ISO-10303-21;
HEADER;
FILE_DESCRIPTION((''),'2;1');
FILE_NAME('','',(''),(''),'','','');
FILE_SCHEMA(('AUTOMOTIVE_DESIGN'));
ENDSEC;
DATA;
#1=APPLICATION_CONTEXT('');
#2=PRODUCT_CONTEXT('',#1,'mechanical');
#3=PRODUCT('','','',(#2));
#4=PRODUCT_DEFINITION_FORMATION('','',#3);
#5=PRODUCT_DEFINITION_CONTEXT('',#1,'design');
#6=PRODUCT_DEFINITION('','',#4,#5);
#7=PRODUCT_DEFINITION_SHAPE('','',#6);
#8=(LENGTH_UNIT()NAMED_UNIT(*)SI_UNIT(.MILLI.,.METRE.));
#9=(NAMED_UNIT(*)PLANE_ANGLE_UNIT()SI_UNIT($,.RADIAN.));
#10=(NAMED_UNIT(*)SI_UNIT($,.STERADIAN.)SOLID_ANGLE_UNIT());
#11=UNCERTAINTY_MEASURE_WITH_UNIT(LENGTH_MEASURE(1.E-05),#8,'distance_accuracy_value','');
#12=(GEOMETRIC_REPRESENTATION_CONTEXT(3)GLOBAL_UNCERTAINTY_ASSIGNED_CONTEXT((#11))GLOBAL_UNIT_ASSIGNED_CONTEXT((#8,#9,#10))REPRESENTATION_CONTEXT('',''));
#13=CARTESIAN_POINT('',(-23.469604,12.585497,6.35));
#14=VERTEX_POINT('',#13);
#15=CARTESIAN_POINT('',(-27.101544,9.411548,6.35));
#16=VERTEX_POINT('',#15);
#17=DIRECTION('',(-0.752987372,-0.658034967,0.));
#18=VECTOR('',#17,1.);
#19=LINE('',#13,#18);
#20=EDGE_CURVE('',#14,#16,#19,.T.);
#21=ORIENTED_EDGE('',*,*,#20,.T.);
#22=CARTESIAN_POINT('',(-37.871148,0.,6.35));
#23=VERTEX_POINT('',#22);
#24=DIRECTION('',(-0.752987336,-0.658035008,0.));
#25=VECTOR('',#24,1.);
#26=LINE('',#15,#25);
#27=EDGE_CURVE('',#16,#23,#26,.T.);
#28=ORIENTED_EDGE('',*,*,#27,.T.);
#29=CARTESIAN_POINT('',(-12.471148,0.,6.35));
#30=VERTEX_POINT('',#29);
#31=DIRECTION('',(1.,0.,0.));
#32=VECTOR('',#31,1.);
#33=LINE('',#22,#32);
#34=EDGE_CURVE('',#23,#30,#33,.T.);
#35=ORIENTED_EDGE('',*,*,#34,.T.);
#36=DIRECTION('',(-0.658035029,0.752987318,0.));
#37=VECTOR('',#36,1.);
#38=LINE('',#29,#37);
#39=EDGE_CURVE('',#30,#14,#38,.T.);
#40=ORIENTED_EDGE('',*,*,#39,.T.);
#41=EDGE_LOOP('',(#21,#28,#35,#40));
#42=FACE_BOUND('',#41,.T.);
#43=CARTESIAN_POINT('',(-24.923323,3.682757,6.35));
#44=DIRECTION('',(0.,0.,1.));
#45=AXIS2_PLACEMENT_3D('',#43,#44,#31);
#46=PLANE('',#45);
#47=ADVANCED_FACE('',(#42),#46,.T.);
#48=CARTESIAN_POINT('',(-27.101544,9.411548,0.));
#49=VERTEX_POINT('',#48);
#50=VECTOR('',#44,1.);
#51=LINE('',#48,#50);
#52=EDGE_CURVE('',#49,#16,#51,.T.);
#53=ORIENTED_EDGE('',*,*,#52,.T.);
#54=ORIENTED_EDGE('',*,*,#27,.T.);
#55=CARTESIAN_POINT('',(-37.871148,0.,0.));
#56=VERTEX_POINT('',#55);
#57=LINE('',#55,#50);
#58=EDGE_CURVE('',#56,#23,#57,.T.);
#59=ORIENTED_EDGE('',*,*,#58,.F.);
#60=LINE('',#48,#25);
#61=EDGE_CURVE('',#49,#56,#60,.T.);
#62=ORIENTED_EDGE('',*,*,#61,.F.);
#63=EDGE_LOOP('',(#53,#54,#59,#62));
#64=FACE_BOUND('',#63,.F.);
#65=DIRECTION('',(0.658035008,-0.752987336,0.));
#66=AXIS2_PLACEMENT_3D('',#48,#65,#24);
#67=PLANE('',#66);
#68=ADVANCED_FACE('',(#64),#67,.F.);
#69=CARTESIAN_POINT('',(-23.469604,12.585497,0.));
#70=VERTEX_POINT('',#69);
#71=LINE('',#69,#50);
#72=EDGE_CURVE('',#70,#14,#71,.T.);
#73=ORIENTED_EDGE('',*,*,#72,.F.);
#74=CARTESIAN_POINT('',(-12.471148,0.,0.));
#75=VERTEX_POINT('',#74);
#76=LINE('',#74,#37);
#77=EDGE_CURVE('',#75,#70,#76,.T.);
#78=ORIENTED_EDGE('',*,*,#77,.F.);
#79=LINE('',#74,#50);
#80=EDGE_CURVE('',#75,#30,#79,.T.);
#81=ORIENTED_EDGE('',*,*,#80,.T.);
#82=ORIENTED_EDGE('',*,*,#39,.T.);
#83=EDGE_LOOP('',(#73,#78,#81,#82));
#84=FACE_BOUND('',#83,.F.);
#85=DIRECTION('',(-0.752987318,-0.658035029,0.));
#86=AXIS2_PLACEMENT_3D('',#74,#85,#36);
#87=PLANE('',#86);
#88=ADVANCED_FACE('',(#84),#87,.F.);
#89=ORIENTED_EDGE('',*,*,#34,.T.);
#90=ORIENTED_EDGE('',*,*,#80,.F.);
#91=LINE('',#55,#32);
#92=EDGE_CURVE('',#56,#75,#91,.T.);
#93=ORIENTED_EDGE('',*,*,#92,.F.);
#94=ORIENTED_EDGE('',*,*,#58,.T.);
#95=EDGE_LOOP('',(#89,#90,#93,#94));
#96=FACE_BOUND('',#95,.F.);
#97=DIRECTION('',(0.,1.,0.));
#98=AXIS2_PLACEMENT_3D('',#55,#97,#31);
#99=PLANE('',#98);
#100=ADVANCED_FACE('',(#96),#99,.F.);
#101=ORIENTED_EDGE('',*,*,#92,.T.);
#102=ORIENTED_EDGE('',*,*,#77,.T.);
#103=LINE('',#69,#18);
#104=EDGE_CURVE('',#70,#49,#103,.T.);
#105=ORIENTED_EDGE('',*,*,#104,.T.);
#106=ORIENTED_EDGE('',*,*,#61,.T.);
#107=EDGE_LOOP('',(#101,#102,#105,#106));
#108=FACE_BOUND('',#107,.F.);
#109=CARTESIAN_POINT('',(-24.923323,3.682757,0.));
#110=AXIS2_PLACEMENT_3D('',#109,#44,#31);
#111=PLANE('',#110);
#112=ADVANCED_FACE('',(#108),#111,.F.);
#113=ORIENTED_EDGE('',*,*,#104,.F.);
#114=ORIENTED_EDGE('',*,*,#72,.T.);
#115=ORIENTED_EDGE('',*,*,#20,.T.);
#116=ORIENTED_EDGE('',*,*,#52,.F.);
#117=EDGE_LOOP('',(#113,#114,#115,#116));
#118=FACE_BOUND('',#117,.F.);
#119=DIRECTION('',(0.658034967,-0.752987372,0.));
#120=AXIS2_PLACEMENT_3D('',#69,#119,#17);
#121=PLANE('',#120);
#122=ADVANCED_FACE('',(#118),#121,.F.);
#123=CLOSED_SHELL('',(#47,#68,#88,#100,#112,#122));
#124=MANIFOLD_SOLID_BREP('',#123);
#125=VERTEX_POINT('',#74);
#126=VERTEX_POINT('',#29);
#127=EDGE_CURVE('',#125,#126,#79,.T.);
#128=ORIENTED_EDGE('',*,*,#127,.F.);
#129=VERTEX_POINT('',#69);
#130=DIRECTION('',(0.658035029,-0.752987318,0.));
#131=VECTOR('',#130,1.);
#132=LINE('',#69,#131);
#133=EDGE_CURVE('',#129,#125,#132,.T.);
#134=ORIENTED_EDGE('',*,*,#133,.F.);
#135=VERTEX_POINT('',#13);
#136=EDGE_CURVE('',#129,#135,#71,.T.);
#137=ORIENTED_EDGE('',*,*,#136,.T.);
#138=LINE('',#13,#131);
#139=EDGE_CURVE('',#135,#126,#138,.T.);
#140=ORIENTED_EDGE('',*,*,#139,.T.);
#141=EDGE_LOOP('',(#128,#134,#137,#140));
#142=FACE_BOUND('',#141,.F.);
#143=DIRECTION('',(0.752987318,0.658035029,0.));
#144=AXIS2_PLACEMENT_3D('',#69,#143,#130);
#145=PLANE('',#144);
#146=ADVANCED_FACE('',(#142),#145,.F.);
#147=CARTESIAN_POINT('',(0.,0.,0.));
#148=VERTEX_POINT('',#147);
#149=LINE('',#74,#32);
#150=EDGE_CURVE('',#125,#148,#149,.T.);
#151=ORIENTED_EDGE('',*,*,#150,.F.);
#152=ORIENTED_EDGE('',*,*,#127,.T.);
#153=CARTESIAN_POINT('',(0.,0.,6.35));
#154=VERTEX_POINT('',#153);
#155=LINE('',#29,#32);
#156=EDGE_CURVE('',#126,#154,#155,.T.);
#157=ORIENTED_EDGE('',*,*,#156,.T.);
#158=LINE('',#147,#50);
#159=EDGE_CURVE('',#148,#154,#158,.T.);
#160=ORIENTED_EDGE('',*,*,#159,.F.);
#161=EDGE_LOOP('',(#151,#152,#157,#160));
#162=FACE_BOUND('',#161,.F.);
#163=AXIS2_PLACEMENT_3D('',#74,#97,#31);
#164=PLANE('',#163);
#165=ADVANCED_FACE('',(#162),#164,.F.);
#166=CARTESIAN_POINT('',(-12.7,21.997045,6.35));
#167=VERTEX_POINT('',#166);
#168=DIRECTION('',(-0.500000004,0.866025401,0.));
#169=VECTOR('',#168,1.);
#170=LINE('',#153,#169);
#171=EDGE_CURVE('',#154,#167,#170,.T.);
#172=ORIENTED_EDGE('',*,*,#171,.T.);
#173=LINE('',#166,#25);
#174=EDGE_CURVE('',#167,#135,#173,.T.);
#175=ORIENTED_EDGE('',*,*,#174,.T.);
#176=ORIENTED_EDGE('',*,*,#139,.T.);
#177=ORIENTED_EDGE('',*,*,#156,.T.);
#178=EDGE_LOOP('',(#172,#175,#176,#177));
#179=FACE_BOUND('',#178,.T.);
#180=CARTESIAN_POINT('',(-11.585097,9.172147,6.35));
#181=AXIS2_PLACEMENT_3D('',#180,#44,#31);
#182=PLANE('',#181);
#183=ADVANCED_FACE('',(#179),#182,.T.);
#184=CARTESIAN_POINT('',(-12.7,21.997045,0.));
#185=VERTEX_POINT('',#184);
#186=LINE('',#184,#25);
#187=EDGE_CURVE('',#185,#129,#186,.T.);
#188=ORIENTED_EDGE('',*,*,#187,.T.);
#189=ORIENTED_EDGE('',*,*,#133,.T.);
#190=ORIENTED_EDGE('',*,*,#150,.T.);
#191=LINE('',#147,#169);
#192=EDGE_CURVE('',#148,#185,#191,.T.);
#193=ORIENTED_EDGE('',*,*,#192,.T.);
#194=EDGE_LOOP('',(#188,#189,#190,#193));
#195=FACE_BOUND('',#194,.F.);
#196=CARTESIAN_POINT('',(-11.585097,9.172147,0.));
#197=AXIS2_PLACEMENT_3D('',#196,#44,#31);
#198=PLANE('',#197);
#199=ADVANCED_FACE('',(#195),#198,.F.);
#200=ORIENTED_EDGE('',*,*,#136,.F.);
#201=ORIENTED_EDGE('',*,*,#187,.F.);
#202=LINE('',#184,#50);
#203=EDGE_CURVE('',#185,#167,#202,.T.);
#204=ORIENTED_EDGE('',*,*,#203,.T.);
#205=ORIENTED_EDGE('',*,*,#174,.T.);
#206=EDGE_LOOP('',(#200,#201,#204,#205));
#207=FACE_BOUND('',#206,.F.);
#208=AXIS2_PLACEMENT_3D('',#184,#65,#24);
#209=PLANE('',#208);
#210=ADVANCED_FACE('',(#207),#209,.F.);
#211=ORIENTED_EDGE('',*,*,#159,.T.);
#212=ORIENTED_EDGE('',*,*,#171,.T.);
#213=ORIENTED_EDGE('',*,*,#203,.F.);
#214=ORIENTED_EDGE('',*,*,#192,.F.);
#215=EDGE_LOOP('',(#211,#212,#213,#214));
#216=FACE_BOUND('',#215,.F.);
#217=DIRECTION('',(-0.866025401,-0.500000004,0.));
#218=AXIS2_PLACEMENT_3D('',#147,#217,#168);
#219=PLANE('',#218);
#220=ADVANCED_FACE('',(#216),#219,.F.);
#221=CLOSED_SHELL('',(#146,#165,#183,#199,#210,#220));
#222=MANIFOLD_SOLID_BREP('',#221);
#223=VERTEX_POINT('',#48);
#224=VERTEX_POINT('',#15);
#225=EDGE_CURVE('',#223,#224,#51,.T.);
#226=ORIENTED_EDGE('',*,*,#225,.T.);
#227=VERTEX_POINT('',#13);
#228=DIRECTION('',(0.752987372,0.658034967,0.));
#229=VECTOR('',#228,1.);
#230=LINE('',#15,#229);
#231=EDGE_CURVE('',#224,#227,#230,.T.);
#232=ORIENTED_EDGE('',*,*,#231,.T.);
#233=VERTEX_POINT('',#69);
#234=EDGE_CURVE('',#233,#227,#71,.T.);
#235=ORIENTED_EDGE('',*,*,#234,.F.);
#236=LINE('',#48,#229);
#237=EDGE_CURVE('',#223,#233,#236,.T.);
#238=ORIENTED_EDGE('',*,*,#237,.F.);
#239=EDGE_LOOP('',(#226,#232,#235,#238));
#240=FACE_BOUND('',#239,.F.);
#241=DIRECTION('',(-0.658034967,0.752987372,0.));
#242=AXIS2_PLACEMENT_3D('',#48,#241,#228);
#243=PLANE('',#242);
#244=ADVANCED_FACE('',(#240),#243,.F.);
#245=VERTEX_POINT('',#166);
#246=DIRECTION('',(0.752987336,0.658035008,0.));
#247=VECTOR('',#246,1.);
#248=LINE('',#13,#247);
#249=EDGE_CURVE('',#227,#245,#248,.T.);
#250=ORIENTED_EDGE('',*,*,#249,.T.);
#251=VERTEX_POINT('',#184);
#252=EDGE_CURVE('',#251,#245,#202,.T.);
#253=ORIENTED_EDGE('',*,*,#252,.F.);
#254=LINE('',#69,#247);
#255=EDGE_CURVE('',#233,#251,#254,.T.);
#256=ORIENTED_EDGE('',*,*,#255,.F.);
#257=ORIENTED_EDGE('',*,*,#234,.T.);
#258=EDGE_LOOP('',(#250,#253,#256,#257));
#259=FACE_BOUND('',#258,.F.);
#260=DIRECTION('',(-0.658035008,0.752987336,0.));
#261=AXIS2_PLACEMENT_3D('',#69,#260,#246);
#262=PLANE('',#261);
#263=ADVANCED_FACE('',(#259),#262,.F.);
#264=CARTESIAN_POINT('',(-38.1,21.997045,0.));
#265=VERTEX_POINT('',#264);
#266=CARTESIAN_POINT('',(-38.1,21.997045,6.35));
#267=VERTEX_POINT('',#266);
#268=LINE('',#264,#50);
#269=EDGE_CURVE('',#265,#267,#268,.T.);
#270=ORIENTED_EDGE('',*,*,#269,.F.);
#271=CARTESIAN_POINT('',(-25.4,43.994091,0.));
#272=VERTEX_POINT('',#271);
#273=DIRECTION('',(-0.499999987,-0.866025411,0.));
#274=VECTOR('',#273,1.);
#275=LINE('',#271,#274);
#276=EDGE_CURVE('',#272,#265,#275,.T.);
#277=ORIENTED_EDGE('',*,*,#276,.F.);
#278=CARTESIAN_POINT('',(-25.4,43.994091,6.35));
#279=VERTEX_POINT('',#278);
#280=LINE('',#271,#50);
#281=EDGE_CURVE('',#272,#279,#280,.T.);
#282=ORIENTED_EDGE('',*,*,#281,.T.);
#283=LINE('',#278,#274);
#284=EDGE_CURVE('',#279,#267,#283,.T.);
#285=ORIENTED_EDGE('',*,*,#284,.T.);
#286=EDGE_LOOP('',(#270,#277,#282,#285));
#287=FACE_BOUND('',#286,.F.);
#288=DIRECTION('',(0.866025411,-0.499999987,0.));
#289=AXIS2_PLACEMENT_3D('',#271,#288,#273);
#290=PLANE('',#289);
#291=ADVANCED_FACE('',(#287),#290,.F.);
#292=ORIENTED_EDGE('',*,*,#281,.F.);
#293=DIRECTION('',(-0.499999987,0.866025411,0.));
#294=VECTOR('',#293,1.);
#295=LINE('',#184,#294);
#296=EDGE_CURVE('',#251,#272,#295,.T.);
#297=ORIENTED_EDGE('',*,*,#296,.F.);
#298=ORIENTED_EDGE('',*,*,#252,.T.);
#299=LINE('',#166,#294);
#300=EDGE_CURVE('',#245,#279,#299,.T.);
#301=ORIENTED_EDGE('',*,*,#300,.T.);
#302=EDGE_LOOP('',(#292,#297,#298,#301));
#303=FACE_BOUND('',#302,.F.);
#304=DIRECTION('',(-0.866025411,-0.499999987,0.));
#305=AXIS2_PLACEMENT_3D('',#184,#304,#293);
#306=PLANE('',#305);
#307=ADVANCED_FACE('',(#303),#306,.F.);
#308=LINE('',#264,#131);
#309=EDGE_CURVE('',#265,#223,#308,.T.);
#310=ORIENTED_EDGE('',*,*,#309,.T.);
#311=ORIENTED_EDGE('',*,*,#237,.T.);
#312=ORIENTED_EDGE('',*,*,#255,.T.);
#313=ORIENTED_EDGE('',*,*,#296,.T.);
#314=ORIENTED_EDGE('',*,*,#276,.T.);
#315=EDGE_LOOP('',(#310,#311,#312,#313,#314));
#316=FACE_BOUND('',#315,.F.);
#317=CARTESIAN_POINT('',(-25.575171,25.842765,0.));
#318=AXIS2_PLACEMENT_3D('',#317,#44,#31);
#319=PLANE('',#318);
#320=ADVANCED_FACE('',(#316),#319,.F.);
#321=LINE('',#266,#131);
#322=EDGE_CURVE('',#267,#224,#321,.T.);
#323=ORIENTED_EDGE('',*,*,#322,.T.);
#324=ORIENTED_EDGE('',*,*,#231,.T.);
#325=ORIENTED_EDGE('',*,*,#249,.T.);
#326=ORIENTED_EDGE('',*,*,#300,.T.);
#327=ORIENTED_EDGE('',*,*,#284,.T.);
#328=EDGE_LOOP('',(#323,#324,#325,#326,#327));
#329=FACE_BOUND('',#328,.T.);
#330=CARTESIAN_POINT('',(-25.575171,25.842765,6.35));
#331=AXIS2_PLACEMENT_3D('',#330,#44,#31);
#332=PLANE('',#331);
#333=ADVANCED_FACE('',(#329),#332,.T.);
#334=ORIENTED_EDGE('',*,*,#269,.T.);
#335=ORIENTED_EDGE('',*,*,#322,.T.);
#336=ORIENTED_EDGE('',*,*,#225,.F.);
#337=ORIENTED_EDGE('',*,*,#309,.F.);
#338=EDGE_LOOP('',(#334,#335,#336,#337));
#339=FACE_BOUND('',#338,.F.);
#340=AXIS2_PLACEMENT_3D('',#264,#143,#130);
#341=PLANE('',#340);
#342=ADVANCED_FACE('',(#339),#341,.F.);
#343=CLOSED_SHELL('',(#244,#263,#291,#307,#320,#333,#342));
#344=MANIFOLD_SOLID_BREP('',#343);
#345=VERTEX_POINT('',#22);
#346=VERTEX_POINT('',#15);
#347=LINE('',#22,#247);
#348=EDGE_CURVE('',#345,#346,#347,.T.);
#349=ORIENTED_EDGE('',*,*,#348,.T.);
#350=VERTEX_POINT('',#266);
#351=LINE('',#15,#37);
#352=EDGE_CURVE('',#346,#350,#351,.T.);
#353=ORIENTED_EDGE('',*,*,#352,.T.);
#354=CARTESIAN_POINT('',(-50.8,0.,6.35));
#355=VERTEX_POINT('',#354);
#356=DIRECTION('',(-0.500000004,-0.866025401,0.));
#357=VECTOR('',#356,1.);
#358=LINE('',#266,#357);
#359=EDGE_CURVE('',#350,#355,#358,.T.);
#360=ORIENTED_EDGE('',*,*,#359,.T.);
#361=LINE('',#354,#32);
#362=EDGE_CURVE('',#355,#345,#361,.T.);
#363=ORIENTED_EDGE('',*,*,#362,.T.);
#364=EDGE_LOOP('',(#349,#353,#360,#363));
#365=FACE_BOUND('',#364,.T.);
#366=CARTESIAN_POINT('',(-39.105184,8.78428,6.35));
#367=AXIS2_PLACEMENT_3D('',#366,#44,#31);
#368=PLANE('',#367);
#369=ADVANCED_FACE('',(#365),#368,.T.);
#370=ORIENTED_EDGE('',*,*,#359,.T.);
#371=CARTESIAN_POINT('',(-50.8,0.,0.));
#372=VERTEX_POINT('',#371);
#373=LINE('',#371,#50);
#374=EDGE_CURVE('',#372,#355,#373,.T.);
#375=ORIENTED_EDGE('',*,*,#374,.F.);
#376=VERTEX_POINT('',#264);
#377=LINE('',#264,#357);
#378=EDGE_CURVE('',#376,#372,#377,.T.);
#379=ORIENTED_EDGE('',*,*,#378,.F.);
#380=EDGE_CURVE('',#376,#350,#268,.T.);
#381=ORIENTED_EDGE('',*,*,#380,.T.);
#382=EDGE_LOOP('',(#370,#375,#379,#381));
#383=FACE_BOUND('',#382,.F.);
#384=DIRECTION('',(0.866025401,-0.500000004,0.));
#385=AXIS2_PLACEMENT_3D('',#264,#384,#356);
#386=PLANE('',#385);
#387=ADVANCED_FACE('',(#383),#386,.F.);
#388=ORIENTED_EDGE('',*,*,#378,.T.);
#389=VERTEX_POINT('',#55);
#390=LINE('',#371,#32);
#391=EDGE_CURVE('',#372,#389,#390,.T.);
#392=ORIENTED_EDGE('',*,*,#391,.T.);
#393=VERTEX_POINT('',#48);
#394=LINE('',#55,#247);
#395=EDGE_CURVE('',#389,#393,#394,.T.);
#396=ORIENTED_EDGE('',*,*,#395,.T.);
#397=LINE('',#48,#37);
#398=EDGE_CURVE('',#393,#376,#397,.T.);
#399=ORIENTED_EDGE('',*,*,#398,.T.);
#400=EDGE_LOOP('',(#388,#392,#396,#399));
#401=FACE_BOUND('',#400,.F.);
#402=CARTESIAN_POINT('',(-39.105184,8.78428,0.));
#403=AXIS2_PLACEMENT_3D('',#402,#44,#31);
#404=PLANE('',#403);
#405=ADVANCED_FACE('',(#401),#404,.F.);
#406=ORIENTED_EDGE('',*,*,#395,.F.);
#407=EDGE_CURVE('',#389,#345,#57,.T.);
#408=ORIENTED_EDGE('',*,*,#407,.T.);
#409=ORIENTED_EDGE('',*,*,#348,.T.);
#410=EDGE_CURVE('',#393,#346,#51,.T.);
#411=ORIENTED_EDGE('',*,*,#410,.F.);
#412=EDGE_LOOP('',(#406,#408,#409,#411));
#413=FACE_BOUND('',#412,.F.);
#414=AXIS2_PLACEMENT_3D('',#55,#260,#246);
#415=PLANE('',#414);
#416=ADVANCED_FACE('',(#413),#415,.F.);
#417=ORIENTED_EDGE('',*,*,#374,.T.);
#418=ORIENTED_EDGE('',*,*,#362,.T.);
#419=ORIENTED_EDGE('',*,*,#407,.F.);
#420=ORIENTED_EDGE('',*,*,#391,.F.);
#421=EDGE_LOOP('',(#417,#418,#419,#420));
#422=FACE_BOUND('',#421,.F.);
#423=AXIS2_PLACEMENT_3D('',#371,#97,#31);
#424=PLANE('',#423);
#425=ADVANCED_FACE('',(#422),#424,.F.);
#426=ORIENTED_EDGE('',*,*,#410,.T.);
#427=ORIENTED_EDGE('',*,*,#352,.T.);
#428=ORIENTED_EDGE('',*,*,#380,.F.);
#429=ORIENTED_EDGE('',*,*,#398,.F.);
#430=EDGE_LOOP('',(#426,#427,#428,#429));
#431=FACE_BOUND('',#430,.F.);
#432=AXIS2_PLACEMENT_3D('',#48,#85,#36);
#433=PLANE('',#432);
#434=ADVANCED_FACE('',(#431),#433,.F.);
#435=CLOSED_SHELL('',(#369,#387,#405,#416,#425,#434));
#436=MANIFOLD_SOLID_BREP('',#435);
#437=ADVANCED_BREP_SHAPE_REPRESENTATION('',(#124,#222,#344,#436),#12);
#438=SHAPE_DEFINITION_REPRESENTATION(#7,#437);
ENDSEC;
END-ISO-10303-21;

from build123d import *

# Parameters (mm, degrees)
F1_DEPTH = 6.35
F3_DEPTH = 6.35
F2_DEPTH = 6.35


with BuildPart() as f1:
    # F0 (on Top) → F1 (new body)
    with BuildSketch(Plane.XY):
        Polygon((-38.1, 21.997045), (-50.8, 0), (-37.871148, 0), (-27.101544, 9.411548), align=None)
        Polygon((-23.469604, 12.585497), (-12.471148, 0), (0, 0), (-12.7, 21.997045), align=None)
    extrude(amount=F1_DEPTH)


with BuildPart() as f3:
    # F0 (on Top) → F3 (new body)
    with BuildSketch(Plane.XY):
        Polygon((-25.4, 43.994091), (-38.1, 21.997045), (-27.101544, 9.411548), (-23.469604, 12.585497), (-12.7, 21.997045), align=None)
    extrude(amount=F3_DEPTH)


with BuildPart() as f2:
    # F0 (on Top) → F2 (new body)
    with BuildSketch(Plane.XY):
        Polygon((-27.101544, 9.411548), (-37.871148, 0), (-12.471148, 0), (-23.469604, 12.585497), align=None)
    extrude(amount=F2_DEPTH)


solid = Compound([f1.part, f3.part, f2.part])
